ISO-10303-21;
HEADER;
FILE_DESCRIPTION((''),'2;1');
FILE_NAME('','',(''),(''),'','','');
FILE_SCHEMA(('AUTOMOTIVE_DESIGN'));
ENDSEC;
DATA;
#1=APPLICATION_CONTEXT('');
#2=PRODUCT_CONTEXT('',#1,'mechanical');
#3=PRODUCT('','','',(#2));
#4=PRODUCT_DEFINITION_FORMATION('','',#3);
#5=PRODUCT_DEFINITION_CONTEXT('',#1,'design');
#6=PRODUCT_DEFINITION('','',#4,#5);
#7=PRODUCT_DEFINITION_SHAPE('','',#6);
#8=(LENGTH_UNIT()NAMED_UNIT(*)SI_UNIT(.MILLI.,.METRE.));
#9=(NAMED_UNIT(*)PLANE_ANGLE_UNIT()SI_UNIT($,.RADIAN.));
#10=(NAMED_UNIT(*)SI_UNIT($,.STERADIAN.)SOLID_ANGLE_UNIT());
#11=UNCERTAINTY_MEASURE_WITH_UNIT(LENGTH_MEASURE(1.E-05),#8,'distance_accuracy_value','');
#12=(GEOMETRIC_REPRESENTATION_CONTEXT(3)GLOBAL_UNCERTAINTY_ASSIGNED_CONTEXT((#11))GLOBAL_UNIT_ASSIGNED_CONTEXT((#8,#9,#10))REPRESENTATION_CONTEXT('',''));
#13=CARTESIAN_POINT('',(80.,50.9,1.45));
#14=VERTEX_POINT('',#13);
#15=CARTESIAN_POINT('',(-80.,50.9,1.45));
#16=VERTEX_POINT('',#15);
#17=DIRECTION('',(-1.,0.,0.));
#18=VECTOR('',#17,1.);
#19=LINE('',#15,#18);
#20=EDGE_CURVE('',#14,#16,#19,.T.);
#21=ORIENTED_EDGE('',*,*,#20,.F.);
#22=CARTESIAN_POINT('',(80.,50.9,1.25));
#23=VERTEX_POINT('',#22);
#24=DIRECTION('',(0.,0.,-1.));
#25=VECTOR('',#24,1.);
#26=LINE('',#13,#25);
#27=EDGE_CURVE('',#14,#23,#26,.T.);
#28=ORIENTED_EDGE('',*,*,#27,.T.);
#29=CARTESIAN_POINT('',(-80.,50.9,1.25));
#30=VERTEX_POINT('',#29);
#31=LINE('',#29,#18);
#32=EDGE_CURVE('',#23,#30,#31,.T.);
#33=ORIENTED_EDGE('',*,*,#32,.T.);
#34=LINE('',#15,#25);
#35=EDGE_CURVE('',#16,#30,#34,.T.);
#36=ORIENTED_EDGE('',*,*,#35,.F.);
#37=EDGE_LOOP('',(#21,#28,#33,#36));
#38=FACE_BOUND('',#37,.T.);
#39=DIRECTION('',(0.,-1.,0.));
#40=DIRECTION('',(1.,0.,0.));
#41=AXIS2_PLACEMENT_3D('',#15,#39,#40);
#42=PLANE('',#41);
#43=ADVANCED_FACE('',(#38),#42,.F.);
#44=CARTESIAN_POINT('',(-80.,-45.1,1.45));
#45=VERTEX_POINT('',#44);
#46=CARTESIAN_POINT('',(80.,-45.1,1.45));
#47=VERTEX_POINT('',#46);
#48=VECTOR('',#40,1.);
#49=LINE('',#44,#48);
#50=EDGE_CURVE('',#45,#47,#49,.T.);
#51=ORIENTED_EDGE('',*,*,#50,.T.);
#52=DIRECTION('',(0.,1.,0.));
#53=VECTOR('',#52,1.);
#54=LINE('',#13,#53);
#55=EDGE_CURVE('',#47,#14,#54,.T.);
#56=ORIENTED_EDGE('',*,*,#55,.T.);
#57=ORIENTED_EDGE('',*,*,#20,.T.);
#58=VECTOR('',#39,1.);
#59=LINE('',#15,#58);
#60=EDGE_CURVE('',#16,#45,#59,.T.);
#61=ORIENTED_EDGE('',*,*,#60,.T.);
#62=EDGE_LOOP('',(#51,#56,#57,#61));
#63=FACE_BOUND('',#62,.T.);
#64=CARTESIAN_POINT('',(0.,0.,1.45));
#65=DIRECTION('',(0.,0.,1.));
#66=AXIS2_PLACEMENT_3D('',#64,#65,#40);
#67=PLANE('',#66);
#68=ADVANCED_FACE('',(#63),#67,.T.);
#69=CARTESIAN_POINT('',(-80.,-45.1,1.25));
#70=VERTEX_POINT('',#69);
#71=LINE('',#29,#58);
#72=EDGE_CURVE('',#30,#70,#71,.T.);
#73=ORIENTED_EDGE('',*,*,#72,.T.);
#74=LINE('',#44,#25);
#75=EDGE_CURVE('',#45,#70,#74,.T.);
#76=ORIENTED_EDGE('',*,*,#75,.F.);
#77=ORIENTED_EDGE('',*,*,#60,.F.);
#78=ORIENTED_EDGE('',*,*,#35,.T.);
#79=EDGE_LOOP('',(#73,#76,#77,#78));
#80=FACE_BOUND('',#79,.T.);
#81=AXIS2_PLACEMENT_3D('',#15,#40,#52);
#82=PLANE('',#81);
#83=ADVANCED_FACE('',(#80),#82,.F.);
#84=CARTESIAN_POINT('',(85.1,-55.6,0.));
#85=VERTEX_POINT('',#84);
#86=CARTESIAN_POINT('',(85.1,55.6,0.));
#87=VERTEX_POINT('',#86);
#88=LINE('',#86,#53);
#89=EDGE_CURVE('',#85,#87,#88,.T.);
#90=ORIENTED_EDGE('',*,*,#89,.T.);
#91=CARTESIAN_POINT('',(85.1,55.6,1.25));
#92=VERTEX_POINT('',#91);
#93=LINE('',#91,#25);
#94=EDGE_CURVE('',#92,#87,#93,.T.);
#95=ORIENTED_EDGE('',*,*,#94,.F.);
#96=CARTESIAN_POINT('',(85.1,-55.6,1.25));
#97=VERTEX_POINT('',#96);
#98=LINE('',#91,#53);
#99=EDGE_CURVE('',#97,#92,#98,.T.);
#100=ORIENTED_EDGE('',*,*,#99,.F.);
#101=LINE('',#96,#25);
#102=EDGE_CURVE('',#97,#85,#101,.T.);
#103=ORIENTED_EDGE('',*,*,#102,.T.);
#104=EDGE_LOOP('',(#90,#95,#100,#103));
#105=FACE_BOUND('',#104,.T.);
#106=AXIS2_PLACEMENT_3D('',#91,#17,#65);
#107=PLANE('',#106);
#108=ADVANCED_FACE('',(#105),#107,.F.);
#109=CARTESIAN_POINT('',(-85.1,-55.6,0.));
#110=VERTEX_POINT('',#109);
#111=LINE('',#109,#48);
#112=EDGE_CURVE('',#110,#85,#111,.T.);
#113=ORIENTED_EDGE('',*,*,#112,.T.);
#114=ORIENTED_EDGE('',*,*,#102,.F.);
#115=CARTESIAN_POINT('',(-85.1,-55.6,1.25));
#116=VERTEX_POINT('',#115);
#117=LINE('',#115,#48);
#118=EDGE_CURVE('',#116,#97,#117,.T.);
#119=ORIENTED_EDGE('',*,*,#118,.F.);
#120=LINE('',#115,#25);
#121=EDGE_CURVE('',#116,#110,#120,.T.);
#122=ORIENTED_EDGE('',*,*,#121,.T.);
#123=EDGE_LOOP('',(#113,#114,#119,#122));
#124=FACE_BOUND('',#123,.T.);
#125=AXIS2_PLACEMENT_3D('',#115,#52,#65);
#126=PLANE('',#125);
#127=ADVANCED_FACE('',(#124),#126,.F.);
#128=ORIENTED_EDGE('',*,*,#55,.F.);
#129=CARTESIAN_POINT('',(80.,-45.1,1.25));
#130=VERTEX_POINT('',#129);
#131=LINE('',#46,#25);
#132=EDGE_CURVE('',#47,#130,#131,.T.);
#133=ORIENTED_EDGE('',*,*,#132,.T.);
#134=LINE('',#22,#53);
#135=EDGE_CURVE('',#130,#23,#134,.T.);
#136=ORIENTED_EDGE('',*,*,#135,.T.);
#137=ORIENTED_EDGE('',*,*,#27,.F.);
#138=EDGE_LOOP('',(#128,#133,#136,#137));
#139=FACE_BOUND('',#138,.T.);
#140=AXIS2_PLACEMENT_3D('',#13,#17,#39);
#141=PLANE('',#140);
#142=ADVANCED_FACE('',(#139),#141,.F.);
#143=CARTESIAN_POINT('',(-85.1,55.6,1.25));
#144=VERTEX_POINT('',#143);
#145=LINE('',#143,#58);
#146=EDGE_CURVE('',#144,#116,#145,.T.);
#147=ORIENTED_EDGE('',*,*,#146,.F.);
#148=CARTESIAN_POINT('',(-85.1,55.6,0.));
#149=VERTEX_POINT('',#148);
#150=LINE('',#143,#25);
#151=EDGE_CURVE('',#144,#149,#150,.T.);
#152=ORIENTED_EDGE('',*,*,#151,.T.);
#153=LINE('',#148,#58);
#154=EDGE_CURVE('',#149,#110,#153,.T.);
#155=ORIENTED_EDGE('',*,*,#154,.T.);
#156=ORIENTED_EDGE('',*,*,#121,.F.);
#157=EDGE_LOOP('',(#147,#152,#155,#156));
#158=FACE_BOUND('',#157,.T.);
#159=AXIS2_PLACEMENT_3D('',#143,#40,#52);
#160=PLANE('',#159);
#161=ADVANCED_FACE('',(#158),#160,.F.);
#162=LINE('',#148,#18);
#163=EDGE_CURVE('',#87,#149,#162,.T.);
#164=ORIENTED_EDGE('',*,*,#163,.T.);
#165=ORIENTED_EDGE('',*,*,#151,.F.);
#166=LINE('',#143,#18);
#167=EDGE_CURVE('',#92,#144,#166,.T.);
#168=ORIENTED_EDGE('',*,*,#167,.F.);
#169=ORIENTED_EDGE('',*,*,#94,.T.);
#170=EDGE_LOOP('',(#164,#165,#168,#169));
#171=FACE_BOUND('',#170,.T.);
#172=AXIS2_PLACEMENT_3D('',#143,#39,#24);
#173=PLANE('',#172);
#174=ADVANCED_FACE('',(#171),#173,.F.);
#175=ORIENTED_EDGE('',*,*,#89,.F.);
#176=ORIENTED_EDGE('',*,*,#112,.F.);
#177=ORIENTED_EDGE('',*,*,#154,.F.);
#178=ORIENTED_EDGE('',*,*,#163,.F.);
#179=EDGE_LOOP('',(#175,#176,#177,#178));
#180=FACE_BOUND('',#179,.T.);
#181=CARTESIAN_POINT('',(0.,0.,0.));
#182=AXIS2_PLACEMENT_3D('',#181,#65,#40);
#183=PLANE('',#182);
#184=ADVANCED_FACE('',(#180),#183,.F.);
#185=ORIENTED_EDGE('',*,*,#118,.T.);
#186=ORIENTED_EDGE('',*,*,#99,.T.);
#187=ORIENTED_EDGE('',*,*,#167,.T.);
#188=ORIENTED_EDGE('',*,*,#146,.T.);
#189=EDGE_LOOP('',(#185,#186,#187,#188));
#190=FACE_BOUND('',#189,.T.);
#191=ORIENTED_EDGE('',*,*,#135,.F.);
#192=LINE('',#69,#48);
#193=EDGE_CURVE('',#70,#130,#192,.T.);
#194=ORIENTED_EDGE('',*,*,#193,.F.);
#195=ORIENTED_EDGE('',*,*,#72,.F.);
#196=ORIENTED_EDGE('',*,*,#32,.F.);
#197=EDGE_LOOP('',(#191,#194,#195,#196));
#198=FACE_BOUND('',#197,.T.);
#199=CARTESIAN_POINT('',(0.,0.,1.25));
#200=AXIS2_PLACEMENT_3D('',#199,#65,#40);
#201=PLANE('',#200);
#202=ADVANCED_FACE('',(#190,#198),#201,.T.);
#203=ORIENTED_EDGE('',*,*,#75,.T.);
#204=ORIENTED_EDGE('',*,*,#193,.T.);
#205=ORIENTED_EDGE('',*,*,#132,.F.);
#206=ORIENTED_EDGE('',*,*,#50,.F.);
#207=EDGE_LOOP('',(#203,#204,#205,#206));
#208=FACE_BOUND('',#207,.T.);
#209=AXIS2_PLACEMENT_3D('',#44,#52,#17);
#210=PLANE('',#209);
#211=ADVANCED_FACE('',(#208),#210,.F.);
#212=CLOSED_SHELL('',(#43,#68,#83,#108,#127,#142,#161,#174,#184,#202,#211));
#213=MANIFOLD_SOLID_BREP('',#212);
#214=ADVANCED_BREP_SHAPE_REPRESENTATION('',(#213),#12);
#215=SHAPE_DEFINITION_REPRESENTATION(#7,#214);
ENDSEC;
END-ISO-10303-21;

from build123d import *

# Parameters (mm, degrees)
SKETCH_1_W      = 170.2
SKETCH_1_H      = 111.2
EXTRUDE_1_DEPTH = 1.25
SKETCH_2_W      = 160
SKETCH_2_H      = 96
EXTRUDE_2_DEPTH = 0.2


with BuildPart() as part:
    # 草图1 → 凸台-拉伸1 (new body)
    with BuildSketch(Plane.XY):
        Rectangle(SKETCH_1_W, SKETCH_1_H)
    extrude(amount=EXTRUDE_1_DEPTH)

    # 草图2 → 凸台-拉伸2 (add)
    with BuildSketch(Plane.XY.offset(1.25)):
        with Locations((0, 2.9)):
            Rectangle(SKETCH_2_W, SKETCH_2_H)
    extrude(amount=EXTRUDE_2_DEPTH)


solid = part.part
